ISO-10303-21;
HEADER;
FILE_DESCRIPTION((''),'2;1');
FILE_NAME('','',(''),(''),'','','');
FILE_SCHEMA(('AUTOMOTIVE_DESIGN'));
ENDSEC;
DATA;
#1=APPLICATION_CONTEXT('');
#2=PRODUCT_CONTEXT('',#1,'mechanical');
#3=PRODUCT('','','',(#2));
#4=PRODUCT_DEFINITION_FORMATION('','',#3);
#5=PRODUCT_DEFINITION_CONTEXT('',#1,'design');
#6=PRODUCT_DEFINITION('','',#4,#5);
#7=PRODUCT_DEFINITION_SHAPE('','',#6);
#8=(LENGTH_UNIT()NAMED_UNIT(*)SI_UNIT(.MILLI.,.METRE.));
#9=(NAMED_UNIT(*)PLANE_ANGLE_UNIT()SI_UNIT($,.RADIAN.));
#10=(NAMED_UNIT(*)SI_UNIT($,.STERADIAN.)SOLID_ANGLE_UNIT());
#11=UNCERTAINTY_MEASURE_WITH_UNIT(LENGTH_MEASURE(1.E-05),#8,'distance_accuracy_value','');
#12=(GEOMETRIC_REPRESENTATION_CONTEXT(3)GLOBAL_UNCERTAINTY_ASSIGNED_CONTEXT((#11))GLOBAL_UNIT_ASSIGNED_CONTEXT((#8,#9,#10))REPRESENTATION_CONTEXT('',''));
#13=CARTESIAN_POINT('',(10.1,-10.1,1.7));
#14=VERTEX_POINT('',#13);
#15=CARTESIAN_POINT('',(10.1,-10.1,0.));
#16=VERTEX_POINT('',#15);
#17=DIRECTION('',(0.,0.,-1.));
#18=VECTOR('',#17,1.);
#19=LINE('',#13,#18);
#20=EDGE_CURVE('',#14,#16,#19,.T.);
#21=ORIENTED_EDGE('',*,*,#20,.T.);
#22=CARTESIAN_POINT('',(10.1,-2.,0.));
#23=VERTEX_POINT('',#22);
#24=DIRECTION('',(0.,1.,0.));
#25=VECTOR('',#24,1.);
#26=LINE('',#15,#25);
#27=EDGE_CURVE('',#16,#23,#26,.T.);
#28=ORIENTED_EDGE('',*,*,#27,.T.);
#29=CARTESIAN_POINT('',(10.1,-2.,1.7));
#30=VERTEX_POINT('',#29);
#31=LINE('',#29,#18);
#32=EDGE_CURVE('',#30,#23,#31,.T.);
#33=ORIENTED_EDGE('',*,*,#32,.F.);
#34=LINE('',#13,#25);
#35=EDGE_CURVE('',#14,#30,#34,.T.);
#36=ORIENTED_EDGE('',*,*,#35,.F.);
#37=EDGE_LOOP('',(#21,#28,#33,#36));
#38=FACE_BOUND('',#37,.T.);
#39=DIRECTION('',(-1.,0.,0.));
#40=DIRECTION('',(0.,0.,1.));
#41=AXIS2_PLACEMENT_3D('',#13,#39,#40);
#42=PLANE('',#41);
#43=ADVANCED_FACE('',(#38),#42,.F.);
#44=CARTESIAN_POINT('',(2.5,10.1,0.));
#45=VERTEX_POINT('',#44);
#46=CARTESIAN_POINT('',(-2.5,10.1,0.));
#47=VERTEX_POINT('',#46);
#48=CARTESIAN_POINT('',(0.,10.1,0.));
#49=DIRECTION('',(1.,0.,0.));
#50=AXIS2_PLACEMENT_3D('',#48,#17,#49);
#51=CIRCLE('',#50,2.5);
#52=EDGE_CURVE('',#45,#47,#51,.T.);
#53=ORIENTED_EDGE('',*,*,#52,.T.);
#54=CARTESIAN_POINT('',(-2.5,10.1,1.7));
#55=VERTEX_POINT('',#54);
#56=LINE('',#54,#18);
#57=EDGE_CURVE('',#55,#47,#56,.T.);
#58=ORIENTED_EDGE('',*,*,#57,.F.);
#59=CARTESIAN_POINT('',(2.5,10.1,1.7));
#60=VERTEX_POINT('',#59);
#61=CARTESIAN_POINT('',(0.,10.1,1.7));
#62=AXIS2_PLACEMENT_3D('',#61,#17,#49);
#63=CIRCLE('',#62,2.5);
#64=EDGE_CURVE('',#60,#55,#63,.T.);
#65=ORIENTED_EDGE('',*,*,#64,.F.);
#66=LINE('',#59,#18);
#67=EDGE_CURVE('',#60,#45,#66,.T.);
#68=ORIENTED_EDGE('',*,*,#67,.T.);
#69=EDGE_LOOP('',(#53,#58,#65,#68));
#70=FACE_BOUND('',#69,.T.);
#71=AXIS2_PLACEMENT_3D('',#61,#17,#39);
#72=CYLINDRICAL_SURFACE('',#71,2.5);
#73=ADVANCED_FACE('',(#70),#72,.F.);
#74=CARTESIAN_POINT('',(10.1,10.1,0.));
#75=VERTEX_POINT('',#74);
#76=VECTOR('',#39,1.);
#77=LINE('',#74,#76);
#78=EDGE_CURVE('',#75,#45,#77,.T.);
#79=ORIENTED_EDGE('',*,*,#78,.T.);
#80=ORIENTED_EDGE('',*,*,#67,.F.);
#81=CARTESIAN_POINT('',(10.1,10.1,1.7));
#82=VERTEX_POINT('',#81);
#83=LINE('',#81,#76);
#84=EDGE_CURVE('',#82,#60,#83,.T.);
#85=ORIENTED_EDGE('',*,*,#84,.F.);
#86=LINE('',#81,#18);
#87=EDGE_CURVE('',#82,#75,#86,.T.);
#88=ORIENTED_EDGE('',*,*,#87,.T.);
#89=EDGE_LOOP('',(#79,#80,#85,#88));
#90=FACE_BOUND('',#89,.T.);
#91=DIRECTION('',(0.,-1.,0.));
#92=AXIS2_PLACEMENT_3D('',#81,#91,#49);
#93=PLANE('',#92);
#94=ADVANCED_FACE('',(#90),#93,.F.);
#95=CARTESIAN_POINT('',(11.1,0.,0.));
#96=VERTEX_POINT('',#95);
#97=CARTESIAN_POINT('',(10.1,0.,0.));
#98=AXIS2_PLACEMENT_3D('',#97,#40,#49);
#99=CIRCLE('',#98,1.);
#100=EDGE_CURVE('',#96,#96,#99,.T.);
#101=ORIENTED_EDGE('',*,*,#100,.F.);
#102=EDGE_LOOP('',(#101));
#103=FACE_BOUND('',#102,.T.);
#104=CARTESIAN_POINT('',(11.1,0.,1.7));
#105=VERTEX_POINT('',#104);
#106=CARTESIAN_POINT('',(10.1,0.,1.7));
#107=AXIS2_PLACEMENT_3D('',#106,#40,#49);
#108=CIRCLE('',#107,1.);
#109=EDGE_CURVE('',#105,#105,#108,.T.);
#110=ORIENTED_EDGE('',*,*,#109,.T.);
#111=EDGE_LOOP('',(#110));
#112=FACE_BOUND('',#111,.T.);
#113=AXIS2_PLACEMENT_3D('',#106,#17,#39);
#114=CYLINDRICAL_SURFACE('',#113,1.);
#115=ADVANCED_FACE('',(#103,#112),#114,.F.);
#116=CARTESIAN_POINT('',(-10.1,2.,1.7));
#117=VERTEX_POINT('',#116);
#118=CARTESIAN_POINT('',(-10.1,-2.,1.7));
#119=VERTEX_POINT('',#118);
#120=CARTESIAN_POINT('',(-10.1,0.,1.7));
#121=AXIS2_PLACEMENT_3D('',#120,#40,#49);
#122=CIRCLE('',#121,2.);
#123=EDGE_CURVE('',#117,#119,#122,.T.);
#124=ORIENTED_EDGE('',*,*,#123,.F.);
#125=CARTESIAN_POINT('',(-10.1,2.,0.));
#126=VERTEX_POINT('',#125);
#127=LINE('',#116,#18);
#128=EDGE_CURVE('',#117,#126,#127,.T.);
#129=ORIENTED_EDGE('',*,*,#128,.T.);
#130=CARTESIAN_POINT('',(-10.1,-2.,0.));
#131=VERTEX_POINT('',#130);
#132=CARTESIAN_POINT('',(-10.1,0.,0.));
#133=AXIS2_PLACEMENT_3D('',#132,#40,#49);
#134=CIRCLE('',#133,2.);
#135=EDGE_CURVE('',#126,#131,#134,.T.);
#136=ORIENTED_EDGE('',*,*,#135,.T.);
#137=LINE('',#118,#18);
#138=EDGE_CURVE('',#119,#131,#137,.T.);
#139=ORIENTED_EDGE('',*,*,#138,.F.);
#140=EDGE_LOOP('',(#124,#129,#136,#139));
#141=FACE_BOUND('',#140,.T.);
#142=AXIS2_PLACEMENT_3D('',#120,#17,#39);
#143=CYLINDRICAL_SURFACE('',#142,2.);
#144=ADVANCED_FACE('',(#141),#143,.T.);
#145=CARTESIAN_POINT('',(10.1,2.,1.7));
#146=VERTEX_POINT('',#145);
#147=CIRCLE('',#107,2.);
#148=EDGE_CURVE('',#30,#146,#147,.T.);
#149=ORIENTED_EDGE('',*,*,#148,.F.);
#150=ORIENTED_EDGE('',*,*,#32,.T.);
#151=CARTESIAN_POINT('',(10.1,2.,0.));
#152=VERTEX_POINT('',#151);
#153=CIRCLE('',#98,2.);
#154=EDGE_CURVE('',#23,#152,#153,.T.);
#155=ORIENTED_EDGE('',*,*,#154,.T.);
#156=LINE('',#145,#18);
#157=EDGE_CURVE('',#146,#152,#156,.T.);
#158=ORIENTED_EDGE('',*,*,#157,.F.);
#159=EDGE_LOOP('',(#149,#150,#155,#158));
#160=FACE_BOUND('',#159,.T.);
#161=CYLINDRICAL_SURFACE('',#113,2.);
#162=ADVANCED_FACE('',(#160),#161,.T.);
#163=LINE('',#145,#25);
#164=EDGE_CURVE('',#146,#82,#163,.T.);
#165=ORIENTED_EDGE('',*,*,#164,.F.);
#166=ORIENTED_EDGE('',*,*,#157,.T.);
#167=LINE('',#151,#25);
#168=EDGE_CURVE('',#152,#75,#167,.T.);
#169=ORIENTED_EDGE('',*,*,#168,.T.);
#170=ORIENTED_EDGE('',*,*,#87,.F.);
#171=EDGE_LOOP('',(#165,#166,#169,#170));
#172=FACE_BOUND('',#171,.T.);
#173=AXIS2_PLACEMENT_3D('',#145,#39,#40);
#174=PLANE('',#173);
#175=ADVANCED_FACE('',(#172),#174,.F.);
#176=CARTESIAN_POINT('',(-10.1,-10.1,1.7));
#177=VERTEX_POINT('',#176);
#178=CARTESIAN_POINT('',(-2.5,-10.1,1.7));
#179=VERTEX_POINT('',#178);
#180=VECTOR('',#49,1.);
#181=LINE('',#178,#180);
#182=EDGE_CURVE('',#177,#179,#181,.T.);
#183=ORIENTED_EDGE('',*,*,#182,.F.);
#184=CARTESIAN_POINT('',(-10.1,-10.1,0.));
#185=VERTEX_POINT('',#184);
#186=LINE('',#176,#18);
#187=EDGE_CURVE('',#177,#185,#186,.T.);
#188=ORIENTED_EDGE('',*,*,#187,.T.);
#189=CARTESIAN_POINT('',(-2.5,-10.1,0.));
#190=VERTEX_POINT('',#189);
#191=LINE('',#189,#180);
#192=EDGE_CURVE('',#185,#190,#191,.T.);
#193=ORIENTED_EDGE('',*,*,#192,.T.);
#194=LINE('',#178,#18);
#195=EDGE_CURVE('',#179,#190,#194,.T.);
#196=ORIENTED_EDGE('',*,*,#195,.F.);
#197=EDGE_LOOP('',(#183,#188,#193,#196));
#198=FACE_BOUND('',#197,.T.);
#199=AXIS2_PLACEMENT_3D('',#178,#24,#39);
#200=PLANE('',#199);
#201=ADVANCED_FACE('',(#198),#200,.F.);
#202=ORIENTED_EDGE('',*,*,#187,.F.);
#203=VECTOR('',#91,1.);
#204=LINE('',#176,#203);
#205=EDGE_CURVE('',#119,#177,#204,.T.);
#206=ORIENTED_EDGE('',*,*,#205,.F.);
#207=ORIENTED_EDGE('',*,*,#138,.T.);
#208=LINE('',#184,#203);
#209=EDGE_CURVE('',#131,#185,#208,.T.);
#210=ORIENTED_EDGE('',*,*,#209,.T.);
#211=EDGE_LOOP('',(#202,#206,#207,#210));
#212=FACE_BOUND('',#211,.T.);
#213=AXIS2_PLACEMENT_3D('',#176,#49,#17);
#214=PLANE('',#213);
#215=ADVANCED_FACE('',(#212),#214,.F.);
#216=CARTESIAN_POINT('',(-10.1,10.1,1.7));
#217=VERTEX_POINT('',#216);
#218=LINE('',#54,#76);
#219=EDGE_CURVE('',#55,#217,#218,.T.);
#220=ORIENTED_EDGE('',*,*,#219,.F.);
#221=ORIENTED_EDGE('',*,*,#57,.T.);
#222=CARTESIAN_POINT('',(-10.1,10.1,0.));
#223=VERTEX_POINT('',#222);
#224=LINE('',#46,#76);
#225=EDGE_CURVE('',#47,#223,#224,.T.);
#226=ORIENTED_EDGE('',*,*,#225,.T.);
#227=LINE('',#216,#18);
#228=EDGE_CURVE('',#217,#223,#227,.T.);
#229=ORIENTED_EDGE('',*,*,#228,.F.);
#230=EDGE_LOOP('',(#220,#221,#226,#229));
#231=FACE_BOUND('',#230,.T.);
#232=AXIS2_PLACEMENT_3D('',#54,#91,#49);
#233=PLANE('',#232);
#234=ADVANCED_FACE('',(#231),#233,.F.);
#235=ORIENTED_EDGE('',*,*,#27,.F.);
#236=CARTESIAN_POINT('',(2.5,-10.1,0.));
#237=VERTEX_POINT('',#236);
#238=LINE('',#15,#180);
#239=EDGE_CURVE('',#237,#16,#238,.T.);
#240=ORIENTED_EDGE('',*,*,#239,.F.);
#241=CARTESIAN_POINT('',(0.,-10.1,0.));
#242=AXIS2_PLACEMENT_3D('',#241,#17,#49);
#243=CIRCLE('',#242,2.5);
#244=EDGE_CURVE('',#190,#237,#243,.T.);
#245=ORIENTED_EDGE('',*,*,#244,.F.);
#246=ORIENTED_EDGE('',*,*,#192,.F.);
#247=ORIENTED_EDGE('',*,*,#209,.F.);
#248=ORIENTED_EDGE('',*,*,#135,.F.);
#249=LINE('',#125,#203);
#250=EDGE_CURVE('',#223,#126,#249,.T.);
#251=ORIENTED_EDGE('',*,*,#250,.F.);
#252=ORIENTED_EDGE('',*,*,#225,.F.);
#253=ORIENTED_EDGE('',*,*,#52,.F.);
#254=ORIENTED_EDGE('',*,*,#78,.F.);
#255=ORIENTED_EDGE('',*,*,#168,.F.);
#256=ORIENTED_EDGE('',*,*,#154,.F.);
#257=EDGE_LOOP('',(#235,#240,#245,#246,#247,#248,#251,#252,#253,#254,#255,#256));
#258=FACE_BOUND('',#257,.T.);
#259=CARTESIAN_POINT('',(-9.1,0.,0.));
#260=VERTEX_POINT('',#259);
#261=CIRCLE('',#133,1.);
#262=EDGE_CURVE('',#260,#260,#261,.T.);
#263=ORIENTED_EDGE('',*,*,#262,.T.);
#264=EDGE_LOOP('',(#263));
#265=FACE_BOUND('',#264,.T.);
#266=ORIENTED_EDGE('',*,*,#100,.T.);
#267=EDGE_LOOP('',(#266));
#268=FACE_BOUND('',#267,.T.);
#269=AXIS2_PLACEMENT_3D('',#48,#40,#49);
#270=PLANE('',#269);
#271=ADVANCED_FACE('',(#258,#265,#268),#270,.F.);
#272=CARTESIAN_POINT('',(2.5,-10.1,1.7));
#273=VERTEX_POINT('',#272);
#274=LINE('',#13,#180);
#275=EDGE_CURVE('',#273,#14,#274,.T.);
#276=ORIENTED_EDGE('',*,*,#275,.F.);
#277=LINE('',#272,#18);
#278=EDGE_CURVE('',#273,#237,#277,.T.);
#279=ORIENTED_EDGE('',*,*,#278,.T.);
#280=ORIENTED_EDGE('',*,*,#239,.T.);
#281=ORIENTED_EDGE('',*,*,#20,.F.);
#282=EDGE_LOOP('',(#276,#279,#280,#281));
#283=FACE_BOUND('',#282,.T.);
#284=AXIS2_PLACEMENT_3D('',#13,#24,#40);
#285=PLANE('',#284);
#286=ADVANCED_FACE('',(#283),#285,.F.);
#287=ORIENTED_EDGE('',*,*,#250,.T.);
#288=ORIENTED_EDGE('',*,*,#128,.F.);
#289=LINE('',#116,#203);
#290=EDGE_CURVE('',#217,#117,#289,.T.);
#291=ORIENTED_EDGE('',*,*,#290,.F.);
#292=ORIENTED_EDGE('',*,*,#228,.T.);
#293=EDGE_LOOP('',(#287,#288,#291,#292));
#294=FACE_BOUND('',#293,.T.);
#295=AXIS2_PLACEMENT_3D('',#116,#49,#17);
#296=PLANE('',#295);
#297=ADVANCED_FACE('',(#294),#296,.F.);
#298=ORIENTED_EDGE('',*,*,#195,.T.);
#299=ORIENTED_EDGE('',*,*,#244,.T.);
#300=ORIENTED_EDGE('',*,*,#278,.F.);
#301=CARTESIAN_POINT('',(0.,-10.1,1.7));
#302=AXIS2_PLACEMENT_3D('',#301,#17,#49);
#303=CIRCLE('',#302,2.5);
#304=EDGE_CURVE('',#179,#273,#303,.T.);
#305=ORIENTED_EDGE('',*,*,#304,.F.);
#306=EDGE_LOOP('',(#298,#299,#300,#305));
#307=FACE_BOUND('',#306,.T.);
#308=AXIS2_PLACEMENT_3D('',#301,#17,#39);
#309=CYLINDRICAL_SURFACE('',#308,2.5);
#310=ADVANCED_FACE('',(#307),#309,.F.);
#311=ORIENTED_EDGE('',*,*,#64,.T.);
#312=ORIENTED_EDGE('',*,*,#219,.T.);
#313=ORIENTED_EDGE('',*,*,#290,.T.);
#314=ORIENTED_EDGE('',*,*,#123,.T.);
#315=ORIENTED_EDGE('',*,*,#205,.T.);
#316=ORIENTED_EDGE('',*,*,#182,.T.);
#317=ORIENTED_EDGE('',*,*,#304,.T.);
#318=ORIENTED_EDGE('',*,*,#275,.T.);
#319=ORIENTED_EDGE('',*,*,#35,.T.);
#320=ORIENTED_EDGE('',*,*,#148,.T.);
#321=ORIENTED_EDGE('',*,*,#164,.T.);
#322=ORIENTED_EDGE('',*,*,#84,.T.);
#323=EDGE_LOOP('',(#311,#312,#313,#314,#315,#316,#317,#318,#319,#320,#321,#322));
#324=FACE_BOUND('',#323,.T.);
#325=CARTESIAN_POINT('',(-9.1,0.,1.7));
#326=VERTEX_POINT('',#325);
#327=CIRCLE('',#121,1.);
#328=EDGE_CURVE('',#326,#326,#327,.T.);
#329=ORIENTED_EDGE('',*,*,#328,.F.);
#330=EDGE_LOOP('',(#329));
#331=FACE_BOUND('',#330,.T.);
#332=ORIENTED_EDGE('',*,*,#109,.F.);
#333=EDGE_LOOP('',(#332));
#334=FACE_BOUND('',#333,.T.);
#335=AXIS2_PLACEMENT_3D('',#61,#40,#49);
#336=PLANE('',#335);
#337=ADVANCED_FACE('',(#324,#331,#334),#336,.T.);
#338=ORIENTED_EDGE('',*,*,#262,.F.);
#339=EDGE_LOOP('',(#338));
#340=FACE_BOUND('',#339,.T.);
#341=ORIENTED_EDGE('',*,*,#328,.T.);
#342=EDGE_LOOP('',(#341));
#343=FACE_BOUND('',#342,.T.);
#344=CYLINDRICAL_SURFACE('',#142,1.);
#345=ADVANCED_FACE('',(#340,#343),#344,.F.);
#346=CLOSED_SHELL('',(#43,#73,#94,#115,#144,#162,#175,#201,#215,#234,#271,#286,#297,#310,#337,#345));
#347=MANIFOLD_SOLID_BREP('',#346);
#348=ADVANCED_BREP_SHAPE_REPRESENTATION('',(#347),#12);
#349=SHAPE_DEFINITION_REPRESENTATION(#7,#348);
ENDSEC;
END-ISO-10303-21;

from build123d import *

# Parameters (mm, degrees)
CROQUIS1_R              = 1
SALIENTE_EXTRUIR1_DEPTH = 1.7


with BuildPart() as part:
    # Croquis1 → Saliente-Extruir1 (new body)
    with BuildSketch(Plane.XY):
        with BuildLine():
            Line((-2.5, 10.1), (-10.1, 10.1))
            Line((-10.1, 10.1), (-10.1, 2))
            ThreePointArc((-10.1, 2), (-12.1, 0), (-10.1, -2))
            Line((-10.1, -2), (-10.1, -10.1))
            Line((-10.1, -10.1), (-2.5, -10.1))
            ThreePointArc((-2.5, -10.1), (0, -7.6), (2.5, -10.1))
            Line((2.5, -10.1), (10.1, -10.1))
            Line((10.1, -10.1), (10.1, -2))
            ThreePointArc((10.1, -2), (12.1, 0), (10.1, 2))
            Line((10.1, 2), (10.1, 10.1))
            Line((10.1, 10.1), (2.5, 10.1))
            ThreePointArc((2.5, 10.1), (0, 7.6), (-2.5, 10.1))
        make_face()
        with Locations((-10.1, 0)):
            Circle(CROQUIS1_R, mode=Mode.SUBTRACT)
        with Locations((10.1, 0)):
            Circle(CROQUIS1_R, mode=Mode.SUBTRACT)
    extrude(amount=SALIENTE_EXTRUIR1_DEPTH)


solid = part.part
